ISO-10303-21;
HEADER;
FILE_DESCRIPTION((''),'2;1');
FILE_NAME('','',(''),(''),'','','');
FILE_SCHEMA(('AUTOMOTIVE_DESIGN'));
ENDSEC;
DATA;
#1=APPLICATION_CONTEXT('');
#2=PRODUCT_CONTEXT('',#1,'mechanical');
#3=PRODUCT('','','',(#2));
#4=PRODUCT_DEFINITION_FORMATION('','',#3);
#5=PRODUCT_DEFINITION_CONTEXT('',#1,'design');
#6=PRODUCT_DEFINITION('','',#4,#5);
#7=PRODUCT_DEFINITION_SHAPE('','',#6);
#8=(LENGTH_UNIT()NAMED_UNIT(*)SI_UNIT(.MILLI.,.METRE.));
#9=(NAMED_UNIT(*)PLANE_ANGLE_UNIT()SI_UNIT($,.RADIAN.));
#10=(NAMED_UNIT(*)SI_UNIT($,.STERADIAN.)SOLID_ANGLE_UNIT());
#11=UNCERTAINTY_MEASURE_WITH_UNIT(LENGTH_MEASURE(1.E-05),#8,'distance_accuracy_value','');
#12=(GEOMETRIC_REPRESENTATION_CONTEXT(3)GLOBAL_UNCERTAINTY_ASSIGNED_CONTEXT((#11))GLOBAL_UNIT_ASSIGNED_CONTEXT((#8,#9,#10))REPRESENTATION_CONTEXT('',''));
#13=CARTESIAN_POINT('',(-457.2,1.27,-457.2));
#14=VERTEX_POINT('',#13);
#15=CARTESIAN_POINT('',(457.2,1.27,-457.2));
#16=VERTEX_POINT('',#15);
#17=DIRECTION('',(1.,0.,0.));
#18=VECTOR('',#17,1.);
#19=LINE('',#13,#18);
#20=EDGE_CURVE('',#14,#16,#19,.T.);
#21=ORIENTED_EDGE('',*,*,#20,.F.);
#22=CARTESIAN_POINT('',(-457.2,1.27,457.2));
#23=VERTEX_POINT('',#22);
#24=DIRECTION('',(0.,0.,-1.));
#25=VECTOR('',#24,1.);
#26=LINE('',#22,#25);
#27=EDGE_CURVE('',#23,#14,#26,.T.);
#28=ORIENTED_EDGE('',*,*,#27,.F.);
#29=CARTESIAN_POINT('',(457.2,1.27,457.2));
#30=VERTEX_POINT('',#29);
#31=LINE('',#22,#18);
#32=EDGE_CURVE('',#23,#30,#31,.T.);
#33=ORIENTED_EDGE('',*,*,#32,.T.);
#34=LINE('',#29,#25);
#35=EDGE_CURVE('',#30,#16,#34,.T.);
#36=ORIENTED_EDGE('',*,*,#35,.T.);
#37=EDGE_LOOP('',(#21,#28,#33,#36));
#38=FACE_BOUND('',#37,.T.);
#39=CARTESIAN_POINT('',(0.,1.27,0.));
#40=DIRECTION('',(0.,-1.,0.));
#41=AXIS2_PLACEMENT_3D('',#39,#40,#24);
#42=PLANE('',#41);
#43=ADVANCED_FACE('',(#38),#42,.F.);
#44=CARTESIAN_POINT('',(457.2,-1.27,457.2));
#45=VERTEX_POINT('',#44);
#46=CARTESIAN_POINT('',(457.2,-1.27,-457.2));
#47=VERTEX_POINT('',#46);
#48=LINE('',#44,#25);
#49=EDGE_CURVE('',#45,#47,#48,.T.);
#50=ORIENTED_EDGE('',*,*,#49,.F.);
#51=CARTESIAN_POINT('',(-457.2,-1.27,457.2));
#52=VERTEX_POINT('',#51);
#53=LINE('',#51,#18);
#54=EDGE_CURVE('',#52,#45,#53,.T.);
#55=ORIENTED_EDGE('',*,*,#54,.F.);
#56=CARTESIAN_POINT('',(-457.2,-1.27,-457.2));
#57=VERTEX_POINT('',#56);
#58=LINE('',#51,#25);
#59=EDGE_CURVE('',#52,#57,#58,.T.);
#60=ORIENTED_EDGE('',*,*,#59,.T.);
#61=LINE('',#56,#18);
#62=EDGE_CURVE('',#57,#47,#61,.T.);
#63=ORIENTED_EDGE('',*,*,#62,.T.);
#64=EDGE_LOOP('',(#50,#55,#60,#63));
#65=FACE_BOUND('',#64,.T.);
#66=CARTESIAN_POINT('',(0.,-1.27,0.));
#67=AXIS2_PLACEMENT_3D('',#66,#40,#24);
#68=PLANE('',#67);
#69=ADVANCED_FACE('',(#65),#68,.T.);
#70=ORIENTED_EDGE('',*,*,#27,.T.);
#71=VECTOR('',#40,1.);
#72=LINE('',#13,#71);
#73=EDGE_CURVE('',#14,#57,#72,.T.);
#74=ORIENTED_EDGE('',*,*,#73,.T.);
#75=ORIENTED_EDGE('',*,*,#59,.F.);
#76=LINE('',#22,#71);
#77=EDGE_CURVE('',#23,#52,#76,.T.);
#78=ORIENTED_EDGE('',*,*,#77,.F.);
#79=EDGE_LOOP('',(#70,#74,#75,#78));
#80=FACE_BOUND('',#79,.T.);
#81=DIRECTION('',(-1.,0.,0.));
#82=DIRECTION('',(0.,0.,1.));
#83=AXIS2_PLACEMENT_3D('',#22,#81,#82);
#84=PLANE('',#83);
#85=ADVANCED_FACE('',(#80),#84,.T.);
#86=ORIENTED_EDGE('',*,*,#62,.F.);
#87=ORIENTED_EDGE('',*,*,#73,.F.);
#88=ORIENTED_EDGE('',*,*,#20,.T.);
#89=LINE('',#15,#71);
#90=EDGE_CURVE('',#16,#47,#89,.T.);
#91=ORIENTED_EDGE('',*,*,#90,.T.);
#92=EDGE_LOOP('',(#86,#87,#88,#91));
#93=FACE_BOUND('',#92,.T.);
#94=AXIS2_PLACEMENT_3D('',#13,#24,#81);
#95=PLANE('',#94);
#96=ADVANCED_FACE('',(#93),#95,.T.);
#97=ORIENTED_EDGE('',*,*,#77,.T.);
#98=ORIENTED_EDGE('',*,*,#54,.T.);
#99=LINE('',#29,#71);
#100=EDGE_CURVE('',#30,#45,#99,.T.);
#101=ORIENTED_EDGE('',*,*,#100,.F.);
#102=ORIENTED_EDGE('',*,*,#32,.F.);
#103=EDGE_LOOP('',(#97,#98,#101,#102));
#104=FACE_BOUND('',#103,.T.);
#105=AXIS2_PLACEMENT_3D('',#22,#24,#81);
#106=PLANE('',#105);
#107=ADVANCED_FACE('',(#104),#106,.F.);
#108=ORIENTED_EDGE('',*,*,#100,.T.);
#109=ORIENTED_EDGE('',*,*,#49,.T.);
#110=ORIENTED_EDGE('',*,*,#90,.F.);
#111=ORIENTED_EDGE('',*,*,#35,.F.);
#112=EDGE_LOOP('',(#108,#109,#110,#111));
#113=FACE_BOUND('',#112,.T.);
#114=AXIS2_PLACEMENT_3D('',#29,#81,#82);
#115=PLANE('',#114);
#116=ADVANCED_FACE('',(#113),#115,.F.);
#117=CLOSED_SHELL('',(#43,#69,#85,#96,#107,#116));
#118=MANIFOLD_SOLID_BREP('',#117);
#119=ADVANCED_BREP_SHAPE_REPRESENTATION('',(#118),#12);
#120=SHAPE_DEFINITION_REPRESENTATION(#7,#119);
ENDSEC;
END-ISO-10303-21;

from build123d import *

# Parameters (mm, degrees)
SKETCH1_W           = 914.4
SKETCH1_H           = 914.4
BOSS_EXTRUDE1_DEPTH = 1.27


with BuildPart() as part:
    # Sketch1 → Boss-Extrude1 (new, symmetric)
    with BuildSketch(Plane(origin=(0, 0, 0), x_dir=(1, 0, 0), z_dir=(0, 1, 0))):
        Rectangle(SKETCH1_W, SKETCH1_H)
    extrude(amount=BOSS_EXTRUDE1_DEPTH, both=True)


solid = part.part
